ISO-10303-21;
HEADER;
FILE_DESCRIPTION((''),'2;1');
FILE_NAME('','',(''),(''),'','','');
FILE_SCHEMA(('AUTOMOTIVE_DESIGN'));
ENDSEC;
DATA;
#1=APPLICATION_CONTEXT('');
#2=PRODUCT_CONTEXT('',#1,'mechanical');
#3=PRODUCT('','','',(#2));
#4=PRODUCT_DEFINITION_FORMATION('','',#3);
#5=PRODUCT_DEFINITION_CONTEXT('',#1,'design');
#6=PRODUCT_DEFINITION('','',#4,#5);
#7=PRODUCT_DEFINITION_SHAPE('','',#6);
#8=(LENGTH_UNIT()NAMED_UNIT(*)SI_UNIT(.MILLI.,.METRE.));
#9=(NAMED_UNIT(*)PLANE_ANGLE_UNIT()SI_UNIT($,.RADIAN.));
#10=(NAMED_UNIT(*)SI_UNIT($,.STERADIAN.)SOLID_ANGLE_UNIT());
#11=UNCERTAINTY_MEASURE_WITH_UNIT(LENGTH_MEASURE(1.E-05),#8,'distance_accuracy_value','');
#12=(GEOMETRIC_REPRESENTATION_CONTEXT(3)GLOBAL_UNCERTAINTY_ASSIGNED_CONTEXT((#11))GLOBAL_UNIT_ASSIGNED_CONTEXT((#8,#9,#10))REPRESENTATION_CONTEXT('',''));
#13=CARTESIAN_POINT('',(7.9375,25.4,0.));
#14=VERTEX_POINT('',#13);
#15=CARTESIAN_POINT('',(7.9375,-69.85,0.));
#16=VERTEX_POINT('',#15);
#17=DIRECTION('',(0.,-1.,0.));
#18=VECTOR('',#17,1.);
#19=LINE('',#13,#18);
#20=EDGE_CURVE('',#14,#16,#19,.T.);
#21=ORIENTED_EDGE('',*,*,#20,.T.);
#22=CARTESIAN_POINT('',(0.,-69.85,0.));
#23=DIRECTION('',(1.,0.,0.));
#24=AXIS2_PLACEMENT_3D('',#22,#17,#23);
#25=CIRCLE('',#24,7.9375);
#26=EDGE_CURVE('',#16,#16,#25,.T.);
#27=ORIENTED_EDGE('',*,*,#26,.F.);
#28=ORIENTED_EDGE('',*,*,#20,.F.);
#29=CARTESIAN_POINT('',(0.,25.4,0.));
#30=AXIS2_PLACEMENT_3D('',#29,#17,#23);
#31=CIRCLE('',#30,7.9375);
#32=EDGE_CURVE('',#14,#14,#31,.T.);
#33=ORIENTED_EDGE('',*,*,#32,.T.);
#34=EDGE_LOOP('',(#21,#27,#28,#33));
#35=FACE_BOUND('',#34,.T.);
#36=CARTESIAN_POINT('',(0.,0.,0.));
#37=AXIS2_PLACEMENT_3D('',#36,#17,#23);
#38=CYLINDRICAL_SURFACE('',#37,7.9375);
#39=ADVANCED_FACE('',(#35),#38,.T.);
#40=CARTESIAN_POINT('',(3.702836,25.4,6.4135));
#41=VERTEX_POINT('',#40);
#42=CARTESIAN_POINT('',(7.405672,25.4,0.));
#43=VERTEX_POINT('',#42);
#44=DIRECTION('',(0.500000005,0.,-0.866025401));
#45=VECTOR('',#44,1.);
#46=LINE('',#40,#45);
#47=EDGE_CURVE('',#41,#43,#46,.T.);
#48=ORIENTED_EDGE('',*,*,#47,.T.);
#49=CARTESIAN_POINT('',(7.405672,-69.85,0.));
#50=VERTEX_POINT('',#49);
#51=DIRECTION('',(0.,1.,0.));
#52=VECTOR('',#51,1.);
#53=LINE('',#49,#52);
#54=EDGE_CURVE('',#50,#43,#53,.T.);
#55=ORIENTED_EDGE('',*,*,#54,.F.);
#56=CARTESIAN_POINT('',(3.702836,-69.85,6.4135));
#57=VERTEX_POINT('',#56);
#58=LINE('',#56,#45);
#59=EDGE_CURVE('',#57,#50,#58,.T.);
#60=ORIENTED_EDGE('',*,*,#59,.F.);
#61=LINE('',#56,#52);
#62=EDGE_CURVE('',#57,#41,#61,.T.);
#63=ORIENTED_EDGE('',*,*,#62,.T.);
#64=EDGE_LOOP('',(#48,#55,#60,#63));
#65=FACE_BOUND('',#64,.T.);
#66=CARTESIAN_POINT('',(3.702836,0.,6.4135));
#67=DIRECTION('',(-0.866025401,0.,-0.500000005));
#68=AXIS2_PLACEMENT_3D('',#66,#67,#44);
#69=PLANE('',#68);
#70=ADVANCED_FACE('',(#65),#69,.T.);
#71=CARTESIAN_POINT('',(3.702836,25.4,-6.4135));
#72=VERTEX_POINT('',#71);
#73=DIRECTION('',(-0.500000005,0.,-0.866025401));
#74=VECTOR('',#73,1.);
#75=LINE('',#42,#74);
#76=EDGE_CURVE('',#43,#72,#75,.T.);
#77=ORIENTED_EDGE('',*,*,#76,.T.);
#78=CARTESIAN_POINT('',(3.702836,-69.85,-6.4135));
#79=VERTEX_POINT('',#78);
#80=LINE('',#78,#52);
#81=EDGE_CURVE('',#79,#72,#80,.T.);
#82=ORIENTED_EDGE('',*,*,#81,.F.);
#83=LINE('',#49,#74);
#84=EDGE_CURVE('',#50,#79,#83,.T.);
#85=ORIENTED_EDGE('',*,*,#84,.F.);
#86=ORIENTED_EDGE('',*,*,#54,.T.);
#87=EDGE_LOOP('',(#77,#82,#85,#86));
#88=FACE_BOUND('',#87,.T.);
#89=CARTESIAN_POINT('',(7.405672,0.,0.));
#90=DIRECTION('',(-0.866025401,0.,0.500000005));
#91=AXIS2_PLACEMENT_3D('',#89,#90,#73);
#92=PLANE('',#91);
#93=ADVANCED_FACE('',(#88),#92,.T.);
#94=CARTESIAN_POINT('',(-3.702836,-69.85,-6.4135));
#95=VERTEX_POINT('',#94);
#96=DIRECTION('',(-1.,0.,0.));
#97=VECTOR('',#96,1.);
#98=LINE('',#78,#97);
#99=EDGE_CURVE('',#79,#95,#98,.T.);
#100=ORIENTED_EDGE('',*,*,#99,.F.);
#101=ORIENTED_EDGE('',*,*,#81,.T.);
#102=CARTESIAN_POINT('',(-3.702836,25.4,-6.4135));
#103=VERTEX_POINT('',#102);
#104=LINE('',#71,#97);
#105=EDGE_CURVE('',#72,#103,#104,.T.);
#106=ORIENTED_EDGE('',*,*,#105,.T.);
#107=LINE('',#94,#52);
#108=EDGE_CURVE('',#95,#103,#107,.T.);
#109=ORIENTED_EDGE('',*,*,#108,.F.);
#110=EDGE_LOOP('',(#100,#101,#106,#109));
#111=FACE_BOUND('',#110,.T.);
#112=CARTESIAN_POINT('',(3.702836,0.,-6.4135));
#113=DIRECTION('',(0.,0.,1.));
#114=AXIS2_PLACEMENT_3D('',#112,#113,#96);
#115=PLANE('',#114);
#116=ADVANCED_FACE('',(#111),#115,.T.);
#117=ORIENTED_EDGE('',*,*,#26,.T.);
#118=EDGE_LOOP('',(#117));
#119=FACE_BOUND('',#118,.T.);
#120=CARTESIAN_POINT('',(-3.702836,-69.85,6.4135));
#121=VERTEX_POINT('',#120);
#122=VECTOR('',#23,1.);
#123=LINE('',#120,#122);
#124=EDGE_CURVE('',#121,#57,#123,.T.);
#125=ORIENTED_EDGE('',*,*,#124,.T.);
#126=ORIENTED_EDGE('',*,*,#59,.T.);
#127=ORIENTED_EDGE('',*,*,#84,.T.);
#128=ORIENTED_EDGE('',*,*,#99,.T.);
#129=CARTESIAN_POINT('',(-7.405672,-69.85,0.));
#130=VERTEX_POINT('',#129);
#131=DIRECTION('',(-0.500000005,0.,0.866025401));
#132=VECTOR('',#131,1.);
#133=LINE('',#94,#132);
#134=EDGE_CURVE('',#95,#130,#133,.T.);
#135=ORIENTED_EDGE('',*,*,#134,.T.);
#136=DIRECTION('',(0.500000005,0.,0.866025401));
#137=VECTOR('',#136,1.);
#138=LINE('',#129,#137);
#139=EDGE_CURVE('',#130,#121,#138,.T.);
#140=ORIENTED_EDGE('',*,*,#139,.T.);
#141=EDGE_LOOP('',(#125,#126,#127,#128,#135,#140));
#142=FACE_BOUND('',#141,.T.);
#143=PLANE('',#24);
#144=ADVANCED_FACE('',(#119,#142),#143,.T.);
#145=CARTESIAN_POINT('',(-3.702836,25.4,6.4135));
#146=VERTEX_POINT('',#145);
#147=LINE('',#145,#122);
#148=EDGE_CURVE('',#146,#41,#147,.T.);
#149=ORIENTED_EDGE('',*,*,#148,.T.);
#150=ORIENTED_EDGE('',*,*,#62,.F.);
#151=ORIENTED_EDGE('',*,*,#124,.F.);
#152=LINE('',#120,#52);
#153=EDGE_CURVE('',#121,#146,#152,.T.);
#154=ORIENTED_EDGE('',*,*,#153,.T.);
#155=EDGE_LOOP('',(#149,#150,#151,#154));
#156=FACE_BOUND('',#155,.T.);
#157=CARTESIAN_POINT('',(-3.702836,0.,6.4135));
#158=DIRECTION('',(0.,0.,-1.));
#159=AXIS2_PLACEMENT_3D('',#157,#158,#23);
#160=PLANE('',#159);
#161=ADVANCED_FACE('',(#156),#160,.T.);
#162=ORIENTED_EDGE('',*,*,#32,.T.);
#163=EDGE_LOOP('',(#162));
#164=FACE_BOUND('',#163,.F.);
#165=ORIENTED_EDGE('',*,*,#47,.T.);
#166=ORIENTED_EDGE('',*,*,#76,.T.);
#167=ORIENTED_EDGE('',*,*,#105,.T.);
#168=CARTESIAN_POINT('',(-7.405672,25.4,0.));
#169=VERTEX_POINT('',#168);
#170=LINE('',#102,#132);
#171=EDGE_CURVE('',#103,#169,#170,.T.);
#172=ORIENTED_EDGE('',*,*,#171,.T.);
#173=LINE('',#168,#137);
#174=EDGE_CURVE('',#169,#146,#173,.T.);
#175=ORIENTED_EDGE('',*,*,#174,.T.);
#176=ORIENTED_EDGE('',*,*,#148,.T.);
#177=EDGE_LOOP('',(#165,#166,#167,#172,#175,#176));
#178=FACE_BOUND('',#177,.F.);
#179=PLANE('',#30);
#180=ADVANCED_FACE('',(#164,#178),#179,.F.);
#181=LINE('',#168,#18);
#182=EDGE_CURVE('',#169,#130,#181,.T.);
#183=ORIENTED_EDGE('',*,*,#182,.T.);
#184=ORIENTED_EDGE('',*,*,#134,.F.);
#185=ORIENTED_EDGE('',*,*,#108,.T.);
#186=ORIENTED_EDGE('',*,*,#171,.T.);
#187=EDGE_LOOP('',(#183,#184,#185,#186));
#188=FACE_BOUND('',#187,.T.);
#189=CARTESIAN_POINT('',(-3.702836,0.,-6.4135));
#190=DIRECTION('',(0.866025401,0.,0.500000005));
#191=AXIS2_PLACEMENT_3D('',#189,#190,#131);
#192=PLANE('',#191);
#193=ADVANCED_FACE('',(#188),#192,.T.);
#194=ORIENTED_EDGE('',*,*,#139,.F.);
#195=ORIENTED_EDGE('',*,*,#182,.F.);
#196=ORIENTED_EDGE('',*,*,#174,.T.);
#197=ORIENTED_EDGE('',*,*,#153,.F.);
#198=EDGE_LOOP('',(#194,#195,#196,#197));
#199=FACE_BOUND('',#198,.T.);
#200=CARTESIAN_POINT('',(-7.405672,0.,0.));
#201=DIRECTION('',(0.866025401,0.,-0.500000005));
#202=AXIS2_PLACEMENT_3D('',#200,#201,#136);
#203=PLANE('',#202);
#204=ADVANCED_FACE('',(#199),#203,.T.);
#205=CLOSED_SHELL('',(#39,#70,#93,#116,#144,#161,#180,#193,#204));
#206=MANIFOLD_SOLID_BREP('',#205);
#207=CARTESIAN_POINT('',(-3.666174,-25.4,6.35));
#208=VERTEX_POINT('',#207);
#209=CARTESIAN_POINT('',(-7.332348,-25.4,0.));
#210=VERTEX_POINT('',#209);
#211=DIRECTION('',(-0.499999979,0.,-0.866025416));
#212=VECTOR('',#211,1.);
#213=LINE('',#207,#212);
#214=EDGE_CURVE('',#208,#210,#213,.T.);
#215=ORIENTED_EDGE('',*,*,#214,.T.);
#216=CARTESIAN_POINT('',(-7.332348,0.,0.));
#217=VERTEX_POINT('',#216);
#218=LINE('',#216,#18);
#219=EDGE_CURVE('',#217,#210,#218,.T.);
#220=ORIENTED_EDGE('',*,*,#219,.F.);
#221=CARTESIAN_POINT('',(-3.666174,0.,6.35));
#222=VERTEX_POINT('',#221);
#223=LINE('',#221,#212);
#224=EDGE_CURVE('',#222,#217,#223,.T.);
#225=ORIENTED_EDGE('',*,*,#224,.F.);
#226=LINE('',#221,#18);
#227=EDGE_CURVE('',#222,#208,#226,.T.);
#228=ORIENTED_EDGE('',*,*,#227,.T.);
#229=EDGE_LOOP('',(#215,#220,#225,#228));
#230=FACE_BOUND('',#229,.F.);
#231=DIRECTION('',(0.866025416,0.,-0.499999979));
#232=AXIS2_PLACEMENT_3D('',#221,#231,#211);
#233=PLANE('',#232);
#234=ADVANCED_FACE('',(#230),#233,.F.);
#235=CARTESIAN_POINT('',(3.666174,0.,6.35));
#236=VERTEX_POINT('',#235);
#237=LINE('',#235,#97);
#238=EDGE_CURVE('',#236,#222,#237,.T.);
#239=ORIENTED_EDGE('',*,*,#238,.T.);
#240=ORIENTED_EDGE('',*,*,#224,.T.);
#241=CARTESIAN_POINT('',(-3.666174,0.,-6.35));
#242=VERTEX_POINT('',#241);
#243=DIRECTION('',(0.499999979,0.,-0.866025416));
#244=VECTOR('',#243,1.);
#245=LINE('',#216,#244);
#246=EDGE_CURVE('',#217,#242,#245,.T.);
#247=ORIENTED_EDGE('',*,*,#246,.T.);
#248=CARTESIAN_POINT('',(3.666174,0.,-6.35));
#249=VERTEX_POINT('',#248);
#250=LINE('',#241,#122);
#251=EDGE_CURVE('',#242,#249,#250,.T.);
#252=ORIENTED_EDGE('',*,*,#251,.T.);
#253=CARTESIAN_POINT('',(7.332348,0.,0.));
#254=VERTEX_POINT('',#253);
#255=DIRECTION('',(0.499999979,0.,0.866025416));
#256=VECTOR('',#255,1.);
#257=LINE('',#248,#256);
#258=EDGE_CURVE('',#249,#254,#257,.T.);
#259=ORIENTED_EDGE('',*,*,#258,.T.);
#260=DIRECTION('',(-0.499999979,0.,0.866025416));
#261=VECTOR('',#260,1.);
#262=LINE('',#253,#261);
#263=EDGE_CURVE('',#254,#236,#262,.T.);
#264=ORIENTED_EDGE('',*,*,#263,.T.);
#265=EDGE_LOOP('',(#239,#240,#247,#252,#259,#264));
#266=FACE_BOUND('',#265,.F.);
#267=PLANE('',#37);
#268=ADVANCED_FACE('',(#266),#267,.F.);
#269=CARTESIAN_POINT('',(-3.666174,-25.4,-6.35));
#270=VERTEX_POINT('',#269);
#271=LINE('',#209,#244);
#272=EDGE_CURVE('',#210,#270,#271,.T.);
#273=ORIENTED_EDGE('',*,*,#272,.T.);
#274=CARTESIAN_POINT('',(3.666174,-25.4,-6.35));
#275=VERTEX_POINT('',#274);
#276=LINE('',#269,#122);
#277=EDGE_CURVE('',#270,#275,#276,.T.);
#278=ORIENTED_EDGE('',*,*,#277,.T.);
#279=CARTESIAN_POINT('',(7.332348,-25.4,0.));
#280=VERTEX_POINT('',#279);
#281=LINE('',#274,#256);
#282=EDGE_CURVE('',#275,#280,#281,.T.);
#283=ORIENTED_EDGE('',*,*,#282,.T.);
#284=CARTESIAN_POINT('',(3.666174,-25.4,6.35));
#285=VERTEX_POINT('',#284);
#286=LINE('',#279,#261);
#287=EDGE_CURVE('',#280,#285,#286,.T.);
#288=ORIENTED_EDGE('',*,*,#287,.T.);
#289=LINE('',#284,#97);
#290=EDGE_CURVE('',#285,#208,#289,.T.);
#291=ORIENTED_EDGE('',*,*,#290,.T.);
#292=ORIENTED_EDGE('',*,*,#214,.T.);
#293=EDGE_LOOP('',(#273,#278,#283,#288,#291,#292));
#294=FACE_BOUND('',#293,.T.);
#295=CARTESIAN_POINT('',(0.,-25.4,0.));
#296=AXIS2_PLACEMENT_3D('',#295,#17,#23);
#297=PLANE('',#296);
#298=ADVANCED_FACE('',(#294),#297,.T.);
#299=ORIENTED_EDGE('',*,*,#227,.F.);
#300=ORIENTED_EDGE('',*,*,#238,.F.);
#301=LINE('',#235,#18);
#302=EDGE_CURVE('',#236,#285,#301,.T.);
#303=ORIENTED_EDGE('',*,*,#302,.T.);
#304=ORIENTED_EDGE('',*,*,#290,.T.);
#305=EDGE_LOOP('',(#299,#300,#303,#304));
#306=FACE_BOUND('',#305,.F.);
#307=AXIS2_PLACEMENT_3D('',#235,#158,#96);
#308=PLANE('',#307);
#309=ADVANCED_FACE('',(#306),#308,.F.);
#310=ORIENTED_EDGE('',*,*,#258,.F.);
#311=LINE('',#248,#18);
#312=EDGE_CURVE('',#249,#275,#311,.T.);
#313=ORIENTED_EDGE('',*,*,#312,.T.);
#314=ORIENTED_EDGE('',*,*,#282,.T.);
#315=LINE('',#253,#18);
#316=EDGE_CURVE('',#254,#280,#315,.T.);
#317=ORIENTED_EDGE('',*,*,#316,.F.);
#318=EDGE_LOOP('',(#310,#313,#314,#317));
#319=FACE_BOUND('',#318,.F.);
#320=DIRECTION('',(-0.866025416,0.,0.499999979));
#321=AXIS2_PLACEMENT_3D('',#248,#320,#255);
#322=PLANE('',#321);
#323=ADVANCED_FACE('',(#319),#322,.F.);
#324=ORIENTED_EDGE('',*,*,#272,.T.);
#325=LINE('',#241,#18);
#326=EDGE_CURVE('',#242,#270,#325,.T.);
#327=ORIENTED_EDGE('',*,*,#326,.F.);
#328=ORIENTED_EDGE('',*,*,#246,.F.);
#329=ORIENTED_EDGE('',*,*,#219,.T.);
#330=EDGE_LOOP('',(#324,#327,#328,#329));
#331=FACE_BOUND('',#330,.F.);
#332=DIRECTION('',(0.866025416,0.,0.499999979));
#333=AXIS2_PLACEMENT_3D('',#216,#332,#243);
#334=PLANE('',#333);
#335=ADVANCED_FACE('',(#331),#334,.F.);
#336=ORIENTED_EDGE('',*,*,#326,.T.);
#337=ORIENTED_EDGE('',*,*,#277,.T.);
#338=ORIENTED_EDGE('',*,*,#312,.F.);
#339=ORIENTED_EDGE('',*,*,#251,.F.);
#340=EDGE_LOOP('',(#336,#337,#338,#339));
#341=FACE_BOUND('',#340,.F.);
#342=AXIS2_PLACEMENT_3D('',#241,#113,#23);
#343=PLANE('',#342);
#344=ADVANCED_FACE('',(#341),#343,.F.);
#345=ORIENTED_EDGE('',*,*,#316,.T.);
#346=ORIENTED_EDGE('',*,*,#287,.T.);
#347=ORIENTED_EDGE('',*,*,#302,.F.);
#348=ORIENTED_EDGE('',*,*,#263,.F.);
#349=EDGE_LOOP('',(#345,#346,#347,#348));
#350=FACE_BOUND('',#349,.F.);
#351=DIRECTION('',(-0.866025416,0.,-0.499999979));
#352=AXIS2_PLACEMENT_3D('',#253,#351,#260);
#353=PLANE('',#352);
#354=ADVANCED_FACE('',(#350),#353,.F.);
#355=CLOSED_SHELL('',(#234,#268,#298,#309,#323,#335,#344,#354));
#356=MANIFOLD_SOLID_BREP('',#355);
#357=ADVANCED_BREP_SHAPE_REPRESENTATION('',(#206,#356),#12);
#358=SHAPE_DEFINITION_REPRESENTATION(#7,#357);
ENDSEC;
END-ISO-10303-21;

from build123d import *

# Parameters (mm, degrees)
F1_DEPTH = 25.4
F0_R     = 7.9375
F2_DEPTH = 69.85
F3_DEPTH = 25.4


with BuildPart() as f1:
    # F0 (on Front) → F1 (new body)
    with BuildSketch(Plane.XZ):
        Polygon((3.666174, 6.35), (-3.666174, 6.35), (-7.332348, 0), (-3.666174, -6.35), (3.666174, -6.35), (7.332348, 0), align=None)
    extrude(amount=F1_DEPTH)


with BuildPart() as f2:
    # F0 (on Front) → F2 (new body)
    with BuildSketch(Plane.XZ):
        Circle(F0_R)
        Polygon((-7.405672, 0), (-3.702836, 6.4135), (3.702836, 6.4135), (7.405672, 0), (3.702836, -6.4135), (-3.702836, -6.4135), align=None, mode=Mode.SUBTRACT)
    extrude(amount=F2_DEPTH)

    # F0 (on Front) → F3 (join)
    with BuildSketch(Plane.XZ):
        Circle(F0_R)
        Polygon((-7.405672, 0), (-3.702836, 6.4135), (3.702836, 6.4135), (7.405672, 0), (3.702836, -6.4135), (-3.702836, -6.4135), align=None, mode=Mode.SUBTRACT)
    extrude(amount=-F3_DEPTH)


solid = Compound([f1.part, f2.part])
